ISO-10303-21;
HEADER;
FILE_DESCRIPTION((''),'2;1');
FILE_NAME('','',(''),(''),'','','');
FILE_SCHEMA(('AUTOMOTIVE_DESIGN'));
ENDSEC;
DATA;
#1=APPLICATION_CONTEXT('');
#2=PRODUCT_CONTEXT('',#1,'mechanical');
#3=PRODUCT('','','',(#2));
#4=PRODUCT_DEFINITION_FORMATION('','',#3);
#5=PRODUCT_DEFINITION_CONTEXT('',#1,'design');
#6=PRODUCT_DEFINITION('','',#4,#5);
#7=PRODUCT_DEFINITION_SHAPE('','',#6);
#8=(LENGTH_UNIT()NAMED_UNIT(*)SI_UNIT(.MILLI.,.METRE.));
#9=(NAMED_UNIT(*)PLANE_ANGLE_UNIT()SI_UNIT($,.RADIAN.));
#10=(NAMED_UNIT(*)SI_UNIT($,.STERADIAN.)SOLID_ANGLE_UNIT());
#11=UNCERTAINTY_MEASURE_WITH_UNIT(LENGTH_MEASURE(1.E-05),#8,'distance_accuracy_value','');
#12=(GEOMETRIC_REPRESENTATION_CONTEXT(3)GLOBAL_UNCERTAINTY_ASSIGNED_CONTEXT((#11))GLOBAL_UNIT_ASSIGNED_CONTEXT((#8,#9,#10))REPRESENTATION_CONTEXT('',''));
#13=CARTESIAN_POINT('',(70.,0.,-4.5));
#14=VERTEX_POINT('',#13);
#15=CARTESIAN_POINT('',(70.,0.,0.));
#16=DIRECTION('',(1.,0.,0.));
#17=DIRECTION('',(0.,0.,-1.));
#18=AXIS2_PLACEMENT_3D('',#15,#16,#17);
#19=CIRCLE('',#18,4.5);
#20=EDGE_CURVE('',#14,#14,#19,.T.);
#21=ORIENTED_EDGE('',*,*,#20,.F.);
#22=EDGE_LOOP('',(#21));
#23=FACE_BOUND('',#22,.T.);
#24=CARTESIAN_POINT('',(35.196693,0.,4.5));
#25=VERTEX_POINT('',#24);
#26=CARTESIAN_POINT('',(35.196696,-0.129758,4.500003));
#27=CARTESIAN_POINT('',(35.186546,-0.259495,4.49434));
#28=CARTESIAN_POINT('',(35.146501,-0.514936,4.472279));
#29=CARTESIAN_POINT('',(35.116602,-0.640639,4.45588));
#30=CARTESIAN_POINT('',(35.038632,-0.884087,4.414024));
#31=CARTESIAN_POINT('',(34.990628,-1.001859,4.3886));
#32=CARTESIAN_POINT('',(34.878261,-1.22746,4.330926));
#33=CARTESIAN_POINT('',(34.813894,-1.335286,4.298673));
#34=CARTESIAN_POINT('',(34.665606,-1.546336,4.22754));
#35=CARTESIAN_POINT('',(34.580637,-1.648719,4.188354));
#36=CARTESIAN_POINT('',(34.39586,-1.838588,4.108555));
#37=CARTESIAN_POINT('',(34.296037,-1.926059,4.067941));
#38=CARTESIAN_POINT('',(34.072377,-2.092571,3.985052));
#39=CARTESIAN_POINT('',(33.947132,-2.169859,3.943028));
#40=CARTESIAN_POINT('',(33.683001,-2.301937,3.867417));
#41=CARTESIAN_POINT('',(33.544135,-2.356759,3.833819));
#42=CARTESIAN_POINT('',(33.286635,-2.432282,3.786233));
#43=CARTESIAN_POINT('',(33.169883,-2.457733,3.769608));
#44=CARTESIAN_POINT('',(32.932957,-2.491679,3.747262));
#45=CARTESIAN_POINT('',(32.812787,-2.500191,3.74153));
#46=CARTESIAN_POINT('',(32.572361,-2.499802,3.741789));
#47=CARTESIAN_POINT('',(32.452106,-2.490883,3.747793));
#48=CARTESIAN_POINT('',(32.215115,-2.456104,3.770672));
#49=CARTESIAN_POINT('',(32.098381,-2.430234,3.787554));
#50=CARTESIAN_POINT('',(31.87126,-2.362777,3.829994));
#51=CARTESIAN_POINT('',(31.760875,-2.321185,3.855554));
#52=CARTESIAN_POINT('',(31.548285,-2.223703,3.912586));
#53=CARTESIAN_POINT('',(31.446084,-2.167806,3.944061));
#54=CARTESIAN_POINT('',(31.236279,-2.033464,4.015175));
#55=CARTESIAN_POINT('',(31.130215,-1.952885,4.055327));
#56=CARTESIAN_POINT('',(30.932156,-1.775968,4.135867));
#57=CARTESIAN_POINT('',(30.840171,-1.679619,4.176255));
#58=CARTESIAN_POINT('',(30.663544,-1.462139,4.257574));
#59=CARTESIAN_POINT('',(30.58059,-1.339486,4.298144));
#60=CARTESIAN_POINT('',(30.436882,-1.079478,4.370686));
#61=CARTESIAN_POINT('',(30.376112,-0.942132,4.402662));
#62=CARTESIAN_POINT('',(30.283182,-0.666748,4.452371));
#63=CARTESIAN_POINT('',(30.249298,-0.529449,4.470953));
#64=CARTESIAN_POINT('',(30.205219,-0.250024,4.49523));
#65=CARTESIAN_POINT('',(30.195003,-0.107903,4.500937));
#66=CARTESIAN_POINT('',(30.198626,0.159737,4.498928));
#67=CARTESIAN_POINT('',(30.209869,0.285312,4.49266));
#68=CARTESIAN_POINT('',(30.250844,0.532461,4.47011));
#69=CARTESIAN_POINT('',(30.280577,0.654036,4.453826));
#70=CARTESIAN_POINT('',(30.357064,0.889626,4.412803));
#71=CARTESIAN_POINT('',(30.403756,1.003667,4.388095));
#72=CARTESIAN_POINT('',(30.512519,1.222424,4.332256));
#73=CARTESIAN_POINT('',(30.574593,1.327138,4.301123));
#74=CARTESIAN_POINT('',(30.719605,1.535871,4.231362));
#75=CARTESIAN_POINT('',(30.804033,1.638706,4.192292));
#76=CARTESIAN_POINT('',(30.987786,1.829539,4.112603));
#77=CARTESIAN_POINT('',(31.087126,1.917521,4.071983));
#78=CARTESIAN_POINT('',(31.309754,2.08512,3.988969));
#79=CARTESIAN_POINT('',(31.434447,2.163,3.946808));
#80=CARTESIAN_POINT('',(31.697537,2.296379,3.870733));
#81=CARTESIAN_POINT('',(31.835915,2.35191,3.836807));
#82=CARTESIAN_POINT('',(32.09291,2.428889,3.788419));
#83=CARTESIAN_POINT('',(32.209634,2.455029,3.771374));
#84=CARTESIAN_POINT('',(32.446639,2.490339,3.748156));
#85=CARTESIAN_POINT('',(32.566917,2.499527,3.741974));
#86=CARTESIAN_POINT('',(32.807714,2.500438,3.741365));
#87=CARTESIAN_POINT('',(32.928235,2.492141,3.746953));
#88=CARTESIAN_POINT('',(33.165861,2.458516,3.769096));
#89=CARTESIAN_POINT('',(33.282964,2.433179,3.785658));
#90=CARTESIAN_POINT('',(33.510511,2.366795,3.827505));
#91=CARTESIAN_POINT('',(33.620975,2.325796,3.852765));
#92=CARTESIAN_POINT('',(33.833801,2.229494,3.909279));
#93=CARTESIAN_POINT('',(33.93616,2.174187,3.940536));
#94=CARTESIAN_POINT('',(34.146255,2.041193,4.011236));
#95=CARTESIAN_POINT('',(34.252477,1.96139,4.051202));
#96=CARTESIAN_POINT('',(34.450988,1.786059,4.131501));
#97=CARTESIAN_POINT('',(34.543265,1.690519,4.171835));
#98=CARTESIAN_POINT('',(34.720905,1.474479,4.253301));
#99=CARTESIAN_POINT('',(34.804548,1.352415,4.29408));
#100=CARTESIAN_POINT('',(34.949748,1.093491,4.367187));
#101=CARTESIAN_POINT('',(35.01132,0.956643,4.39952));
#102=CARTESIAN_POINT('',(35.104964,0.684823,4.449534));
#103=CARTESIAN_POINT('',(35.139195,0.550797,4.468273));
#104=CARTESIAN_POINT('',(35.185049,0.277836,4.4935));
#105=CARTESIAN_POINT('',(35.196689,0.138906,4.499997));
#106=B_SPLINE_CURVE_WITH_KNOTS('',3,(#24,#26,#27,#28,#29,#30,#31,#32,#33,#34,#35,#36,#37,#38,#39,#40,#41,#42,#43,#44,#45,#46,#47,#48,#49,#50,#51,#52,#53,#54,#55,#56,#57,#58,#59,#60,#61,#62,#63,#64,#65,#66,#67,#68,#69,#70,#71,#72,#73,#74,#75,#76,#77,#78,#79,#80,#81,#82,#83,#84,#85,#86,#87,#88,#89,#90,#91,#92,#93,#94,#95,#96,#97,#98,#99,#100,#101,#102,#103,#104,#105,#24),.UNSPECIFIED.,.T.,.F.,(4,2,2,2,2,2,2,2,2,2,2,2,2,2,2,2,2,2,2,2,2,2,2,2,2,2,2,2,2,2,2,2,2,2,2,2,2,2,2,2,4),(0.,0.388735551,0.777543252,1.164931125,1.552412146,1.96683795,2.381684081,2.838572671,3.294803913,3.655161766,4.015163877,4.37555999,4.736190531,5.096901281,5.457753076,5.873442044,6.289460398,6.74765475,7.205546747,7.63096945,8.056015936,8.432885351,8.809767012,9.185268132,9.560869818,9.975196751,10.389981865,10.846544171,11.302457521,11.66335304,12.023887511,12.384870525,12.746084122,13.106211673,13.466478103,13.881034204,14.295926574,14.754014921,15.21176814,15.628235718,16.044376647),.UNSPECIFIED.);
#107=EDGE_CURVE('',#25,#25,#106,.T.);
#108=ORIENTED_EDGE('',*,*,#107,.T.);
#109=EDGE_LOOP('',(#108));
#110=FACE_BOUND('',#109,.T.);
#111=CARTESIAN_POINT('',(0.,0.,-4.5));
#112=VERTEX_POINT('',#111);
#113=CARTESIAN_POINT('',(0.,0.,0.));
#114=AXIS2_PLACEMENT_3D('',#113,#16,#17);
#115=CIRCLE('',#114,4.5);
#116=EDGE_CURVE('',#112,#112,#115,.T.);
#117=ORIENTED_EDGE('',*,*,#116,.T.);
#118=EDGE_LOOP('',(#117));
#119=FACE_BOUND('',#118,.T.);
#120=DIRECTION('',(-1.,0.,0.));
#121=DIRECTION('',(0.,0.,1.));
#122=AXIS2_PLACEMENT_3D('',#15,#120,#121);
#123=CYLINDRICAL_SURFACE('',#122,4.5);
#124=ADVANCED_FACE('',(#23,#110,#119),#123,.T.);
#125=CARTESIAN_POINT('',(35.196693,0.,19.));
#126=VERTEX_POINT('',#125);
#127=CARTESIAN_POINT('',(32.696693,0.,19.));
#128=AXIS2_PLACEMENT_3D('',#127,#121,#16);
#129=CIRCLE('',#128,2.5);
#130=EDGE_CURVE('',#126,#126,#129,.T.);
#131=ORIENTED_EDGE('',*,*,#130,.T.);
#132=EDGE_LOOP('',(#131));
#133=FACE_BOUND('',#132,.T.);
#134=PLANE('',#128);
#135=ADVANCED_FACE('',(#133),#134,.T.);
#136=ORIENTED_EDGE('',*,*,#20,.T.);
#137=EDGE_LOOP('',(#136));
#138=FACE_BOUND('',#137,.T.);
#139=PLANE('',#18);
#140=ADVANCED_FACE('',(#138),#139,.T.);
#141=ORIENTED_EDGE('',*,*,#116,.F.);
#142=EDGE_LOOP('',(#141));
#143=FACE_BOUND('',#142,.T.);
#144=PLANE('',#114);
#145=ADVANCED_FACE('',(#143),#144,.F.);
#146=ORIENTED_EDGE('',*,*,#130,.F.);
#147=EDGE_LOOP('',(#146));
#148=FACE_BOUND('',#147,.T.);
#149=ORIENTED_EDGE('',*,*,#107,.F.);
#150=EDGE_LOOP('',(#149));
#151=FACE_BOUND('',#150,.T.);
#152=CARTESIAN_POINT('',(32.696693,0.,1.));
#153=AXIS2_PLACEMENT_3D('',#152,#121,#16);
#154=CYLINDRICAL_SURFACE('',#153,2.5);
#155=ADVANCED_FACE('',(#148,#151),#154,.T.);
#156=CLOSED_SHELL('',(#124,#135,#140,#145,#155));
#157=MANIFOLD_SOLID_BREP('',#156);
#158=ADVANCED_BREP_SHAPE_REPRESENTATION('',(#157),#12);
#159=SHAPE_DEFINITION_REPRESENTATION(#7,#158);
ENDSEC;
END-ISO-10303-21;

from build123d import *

# Parameters (mm, degrees)
SKETCH1_R                = 4.5
BOSS_EXTRUDE1_DEPTH      = 70
BOSS_EXTRUDE2_DEPTH      = 15
BOSS_EXTRUDE2_DEPTH_BACK = 3
SKETCH2_R                = 2.5


with BuildPart() as part:
    # Sketch1 → Boss-Extrude1 (new body)
    with BuildSketch(Plane(origin=(0, 0, 0), x_dir=(0, 0, -1), z_dir=(1, 0, 0))):
        Circle(SKETCH1_R)
    extrude(amount=BOSS_EXTRUDE1_DEPTH)

    # Sketch2 → Boss-Extrude2 (add, two sides: drawn at the far end of the back side and taken through both)
    with BuildSketch(Plane.XY.offset(4).offset(-BOSS_EXTRUDE2_DEPTH_BACK)):
        with Locations((32.696692571, 0)):
            Circle(SKETCH2_R)
    extrude(amount=BOSS_EXTRUDE2_DEPTH + BOSS_EXTRUDE2_DEPTH_BACK)


solid = part.part
